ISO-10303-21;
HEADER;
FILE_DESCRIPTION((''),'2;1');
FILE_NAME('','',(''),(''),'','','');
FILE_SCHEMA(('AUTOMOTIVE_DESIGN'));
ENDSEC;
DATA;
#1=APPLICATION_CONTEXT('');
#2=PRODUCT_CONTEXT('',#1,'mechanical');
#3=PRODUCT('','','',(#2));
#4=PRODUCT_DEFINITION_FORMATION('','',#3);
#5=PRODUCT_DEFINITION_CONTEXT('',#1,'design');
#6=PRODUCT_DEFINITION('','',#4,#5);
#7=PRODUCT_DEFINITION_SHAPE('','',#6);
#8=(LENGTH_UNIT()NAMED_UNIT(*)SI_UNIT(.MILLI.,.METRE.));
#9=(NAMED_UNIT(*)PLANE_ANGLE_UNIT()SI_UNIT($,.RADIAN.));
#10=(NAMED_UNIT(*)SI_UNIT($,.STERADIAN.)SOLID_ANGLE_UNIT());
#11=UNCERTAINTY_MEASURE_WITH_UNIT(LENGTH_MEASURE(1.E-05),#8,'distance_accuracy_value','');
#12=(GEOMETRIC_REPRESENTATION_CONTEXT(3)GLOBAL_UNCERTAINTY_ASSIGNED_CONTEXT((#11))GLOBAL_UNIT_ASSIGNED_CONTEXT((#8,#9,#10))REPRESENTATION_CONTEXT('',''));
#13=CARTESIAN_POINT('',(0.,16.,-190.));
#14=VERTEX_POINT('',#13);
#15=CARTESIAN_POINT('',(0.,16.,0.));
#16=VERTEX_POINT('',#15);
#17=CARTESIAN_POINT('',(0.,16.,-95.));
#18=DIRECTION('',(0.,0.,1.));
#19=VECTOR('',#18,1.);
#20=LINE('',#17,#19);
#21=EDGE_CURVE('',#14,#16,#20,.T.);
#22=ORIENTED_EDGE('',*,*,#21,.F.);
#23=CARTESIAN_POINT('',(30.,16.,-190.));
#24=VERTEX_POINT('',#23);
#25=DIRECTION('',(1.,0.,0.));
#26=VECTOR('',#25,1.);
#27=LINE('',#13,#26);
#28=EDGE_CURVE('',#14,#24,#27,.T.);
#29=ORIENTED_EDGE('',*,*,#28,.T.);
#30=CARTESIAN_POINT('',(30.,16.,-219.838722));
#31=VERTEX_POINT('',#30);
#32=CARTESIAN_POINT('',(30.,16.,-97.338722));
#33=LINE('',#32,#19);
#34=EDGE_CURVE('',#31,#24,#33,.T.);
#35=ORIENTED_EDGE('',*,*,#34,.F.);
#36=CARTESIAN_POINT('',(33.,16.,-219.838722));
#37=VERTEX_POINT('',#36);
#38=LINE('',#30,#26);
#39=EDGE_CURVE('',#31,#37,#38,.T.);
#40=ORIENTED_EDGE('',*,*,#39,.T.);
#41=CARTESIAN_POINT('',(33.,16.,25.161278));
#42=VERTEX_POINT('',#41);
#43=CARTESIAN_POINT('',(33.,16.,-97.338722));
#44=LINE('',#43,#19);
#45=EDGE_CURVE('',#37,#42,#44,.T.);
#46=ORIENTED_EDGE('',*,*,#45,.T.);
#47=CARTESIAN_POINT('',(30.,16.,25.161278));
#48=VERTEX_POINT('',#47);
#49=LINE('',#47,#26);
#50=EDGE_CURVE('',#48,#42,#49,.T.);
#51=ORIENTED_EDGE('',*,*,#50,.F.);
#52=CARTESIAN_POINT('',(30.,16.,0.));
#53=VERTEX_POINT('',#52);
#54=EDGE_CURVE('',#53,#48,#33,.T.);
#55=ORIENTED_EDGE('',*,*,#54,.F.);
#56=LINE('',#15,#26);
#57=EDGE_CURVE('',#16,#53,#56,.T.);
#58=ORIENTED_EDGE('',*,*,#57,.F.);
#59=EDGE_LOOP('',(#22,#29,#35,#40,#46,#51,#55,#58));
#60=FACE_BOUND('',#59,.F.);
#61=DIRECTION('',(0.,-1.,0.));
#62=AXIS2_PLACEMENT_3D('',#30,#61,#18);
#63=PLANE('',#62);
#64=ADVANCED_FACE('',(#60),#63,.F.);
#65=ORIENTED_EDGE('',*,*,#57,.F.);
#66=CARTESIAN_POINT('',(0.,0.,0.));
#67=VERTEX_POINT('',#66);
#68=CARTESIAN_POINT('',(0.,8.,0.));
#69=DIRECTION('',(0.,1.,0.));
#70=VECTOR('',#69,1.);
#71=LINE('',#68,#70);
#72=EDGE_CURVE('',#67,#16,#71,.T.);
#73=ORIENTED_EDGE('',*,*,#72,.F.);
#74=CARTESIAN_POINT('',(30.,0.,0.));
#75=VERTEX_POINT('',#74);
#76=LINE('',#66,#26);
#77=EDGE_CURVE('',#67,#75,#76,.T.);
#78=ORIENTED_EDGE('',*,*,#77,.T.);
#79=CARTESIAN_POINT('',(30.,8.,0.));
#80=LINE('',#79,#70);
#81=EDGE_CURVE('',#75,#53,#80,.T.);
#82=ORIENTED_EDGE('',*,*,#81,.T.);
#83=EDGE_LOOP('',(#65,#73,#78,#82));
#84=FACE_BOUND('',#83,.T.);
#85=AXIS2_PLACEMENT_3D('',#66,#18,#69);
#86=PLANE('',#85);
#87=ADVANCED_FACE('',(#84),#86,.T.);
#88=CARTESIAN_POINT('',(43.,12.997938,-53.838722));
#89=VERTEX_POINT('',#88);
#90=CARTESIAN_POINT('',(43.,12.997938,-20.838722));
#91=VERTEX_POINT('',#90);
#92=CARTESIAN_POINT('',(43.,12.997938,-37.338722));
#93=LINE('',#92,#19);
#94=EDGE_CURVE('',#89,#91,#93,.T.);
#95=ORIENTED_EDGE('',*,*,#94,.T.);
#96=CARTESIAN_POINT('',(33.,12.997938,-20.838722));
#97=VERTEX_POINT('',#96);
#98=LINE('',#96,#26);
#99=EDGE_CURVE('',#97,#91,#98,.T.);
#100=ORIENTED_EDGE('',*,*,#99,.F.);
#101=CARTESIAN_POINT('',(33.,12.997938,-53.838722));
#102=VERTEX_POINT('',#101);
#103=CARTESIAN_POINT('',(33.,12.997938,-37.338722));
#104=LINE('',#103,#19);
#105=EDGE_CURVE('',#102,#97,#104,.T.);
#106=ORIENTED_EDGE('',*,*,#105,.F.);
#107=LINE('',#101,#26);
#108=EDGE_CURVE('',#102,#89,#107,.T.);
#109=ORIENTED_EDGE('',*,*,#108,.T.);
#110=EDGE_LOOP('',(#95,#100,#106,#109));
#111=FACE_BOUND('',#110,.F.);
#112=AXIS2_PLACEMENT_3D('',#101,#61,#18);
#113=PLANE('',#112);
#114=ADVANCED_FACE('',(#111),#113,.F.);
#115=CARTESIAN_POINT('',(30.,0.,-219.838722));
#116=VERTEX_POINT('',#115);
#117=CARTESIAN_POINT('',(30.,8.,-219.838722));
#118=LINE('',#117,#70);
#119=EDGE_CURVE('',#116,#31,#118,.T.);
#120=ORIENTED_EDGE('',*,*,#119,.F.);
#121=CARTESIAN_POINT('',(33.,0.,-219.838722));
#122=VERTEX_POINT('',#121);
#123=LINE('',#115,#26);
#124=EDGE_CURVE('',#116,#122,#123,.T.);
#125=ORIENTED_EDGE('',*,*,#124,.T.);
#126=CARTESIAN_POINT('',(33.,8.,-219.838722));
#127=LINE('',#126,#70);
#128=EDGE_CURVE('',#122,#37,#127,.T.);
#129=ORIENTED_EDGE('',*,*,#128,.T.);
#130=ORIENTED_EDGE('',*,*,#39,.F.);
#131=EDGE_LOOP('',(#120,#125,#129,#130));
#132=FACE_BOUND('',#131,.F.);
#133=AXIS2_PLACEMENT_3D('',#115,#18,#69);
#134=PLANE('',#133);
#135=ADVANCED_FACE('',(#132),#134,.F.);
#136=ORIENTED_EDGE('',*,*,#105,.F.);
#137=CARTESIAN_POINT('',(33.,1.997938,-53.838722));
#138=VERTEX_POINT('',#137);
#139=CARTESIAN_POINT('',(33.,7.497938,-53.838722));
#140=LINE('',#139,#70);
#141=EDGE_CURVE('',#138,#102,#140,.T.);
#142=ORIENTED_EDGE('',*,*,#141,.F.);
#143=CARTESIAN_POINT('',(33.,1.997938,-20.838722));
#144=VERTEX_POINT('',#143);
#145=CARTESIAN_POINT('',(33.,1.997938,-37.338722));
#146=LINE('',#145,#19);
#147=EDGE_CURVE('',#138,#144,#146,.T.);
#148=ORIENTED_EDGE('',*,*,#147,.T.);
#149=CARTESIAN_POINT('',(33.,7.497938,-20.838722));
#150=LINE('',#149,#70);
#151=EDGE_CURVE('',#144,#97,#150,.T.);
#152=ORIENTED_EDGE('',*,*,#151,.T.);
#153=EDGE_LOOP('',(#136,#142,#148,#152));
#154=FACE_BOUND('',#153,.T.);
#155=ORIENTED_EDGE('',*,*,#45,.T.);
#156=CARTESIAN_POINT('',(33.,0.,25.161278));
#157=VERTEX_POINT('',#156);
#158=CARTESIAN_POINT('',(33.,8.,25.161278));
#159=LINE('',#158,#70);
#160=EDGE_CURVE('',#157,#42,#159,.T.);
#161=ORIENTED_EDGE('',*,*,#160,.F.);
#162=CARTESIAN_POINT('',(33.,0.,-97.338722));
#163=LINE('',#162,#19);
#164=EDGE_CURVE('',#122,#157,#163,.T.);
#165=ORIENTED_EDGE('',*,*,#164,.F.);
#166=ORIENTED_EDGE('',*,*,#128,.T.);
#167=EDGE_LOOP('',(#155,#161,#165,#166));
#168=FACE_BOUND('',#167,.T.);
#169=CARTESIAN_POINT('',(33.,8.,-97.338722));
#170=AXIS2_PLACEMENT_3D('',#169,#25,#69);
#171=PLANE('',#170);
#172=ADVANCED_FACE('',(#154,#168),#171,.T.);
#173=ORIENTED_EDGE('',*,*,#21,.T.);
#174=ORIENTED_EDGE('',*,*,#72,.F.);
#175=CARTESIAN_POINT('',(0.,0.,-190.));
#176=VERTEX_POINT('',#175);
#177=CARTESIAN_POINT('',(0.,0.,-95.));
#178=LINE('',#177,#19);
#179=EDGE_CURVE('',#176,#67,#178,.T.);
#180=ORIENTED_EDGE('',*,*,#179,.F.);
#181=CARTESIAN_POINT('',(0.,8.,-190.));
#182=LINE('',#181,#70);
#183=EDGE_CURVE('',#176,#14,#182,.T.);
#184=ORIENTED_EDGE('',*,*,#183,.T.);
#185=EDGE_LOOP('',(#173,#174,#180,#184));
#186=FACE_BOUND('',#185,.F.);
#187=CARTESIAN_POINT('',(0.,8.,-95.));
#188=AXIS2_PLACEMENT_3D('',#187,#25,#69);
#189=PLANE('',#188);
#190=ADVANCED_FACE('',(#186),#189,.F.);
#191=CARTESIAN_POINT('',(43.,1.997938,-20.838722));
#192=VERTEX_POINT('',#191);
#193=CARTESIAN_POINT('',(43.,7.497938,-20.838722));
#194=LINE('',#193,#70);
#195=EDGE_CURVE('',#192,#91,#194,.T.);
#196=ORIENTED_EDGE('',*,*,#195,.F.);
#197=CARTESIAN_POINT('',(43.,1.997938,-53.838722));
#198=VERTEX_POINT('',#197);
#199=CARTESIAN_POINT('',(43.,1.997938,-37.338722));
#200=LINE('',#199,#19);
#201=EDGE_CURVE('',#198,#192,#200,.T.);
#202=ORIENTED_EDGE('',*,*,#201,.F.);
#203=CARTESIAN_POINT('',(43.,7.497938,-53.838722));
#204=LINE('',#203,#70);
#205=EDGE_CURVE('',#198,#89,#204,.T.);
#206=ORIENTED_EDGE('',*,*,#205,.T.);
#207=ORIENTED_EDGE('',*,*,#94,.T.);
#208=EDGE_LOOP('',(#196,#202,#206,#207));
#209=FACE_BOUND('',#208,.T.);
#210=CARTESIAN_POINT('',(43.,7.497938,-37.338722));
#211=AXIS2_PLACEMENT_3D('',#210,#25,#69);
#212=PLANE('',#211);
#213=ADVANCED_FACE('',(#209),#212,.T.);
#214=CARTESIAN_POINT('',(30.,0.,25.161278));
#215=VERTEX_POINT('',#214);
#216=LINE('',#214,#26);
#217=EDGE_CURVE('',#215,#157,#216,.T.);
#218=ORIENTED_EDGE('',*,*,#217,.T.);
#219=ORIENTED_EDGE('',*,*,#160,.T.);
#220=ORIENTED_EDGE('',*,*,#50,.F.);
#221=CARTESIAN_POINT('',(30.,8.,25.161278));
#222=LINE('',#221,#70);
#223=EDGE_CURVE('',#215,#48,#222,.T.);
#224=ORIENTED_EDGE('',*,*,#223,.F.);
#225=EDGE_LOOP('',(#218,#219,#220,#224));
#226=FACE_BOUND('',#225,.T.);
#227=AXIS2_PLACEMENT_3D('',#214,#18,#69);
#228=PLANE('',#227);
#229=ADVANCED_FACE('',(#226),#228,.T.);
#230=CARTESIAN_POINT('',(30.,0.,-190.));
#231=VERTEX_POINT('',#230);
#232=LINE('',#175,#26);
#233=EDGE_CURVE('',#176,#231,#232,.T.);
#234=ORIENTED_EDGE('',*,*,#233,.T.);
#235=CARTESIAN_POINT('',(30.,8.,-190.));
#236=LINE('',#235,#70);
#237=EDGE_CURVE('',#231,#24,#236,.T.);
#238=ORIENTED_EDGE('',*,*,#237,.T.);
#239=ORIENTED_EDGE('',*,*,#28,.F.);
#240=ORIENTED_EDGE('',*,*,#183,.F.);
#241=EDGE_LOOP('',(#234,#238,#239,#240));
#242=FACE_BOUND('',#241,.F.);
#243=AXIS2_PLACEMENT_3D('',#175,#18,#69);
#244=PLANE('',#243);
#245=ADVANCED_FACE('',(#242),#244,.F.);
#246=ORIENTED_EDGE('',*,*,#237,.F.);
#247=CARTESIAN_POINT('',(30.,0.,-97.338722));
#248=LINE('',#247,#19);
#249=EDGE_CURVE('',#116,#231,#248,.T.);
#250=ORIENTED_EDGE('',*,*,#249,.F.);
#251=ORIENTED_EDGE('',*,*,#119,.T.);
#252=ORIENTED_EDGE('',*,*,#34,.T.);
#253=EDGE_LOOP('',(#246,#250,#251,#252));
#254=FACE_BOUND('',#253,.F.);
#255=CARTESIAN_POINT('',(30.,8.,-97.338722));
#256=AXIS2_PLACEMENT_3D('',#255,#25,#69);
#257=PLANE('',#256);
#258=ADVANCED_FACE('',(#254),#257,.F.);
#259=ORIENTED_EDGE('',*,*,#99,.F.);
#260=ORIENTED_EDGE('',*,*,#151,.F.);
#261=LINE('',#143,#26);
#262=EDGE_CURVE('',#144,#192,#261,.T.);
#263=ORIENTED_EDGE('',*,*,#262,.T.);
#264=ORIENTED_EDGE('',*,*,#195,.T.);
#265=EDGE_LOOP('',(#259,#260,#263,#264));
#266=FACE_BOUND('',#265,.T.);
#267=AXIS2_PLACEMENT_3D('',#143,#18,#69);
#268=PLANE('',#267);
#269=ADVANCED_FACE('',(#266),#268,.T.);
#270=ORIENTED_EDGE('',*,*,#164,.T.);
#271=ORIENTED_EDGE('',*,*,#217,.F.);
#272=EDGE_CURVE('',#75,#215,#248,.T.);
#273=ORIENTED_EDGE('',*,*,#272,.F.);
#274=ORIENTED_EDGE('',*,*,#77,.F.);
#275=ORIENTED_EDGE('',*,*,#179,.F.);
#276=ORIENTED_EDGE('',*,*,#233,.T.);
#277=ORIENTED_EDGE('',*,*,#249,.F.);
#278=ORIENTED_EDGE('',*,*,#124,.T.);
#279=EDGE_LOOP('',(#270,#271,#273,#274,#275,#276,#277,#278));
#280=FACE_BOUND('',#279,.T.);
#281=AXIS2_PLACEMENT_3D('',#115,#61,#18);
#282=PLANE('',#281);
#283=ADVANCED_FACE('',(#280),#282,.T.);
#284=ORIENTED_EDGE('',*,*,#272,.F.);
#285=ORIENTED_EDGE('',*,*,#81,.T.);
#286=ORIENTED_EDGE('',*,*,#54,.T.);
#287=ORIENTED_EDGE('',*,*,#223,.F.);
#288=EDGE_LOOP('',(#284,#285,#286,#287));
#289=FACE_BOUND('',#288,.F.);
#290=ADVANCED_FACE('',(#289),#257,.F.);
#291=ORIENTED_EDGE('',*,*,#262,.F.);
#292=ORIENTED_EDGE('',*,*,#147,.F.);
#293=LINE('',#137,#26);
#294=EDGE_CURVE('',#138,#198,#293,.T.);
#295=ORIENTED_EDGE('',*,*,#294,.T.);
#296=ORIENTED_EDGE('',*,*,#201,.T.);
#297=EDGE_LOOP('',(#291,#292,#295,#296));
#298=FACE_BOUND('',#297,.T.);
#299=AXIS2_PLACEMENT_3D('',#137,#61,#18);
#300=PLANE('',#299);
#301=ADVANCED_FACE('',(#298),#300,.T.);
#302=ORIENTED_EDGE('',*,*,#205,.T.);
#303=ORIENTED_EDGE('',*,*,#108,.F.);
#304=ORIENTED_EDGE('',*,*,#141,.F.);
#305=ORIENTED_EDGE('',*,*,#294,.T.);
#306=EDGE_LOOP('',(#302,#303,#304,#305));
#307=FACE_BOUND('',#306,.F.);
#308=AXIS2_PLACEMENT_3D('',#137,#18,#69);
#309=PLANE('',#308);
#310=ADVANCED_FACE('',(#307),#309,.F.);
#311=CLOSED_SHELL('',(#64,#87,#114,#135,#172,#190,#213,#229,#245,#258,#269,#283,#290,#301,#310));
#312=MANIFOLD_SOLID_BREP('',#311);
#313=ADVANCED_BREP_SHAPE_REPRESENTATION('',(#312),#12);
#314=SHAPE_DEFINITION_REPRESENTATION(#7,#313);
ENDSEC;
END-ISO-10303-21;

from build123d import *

# Parameters (mm, degrees)
F0_W     = 16
F0_H     = 190
F1_DEPTH = 30
F3_W     = 16
F3_H     = 245
F4_DEPTH = 3
F5_W     = 11
F5_H     = 33
F6_DEPTH = 10


with BuildPart() as f1:
    # F0 (on Right) → F1 (new body)
    with BuildSketch(Plane.YZ):
        with Locations((8, -95)):
            Rectangle(F0_W, F0_H)
    extrude(amount=F1_DEPTH)

    # F3 (on face) → F4 (join)
    with BuildSketch(Plane.YZ.offset(30)):
        with Locations((8, -97.338722)):
            Rectangle(F3_W, F3_H)
    extrude(amount=F4_DEPTH)

    # F5 (on face) → F6 (join)
    with BuildSketch(Plane.YZ.offset(33)):
        with Locations((7.497938, -37.338722)):
            Rectangle(F5_W, F5_H)
    extrude(amount=F6_DEPTH)


solid = f1.part
